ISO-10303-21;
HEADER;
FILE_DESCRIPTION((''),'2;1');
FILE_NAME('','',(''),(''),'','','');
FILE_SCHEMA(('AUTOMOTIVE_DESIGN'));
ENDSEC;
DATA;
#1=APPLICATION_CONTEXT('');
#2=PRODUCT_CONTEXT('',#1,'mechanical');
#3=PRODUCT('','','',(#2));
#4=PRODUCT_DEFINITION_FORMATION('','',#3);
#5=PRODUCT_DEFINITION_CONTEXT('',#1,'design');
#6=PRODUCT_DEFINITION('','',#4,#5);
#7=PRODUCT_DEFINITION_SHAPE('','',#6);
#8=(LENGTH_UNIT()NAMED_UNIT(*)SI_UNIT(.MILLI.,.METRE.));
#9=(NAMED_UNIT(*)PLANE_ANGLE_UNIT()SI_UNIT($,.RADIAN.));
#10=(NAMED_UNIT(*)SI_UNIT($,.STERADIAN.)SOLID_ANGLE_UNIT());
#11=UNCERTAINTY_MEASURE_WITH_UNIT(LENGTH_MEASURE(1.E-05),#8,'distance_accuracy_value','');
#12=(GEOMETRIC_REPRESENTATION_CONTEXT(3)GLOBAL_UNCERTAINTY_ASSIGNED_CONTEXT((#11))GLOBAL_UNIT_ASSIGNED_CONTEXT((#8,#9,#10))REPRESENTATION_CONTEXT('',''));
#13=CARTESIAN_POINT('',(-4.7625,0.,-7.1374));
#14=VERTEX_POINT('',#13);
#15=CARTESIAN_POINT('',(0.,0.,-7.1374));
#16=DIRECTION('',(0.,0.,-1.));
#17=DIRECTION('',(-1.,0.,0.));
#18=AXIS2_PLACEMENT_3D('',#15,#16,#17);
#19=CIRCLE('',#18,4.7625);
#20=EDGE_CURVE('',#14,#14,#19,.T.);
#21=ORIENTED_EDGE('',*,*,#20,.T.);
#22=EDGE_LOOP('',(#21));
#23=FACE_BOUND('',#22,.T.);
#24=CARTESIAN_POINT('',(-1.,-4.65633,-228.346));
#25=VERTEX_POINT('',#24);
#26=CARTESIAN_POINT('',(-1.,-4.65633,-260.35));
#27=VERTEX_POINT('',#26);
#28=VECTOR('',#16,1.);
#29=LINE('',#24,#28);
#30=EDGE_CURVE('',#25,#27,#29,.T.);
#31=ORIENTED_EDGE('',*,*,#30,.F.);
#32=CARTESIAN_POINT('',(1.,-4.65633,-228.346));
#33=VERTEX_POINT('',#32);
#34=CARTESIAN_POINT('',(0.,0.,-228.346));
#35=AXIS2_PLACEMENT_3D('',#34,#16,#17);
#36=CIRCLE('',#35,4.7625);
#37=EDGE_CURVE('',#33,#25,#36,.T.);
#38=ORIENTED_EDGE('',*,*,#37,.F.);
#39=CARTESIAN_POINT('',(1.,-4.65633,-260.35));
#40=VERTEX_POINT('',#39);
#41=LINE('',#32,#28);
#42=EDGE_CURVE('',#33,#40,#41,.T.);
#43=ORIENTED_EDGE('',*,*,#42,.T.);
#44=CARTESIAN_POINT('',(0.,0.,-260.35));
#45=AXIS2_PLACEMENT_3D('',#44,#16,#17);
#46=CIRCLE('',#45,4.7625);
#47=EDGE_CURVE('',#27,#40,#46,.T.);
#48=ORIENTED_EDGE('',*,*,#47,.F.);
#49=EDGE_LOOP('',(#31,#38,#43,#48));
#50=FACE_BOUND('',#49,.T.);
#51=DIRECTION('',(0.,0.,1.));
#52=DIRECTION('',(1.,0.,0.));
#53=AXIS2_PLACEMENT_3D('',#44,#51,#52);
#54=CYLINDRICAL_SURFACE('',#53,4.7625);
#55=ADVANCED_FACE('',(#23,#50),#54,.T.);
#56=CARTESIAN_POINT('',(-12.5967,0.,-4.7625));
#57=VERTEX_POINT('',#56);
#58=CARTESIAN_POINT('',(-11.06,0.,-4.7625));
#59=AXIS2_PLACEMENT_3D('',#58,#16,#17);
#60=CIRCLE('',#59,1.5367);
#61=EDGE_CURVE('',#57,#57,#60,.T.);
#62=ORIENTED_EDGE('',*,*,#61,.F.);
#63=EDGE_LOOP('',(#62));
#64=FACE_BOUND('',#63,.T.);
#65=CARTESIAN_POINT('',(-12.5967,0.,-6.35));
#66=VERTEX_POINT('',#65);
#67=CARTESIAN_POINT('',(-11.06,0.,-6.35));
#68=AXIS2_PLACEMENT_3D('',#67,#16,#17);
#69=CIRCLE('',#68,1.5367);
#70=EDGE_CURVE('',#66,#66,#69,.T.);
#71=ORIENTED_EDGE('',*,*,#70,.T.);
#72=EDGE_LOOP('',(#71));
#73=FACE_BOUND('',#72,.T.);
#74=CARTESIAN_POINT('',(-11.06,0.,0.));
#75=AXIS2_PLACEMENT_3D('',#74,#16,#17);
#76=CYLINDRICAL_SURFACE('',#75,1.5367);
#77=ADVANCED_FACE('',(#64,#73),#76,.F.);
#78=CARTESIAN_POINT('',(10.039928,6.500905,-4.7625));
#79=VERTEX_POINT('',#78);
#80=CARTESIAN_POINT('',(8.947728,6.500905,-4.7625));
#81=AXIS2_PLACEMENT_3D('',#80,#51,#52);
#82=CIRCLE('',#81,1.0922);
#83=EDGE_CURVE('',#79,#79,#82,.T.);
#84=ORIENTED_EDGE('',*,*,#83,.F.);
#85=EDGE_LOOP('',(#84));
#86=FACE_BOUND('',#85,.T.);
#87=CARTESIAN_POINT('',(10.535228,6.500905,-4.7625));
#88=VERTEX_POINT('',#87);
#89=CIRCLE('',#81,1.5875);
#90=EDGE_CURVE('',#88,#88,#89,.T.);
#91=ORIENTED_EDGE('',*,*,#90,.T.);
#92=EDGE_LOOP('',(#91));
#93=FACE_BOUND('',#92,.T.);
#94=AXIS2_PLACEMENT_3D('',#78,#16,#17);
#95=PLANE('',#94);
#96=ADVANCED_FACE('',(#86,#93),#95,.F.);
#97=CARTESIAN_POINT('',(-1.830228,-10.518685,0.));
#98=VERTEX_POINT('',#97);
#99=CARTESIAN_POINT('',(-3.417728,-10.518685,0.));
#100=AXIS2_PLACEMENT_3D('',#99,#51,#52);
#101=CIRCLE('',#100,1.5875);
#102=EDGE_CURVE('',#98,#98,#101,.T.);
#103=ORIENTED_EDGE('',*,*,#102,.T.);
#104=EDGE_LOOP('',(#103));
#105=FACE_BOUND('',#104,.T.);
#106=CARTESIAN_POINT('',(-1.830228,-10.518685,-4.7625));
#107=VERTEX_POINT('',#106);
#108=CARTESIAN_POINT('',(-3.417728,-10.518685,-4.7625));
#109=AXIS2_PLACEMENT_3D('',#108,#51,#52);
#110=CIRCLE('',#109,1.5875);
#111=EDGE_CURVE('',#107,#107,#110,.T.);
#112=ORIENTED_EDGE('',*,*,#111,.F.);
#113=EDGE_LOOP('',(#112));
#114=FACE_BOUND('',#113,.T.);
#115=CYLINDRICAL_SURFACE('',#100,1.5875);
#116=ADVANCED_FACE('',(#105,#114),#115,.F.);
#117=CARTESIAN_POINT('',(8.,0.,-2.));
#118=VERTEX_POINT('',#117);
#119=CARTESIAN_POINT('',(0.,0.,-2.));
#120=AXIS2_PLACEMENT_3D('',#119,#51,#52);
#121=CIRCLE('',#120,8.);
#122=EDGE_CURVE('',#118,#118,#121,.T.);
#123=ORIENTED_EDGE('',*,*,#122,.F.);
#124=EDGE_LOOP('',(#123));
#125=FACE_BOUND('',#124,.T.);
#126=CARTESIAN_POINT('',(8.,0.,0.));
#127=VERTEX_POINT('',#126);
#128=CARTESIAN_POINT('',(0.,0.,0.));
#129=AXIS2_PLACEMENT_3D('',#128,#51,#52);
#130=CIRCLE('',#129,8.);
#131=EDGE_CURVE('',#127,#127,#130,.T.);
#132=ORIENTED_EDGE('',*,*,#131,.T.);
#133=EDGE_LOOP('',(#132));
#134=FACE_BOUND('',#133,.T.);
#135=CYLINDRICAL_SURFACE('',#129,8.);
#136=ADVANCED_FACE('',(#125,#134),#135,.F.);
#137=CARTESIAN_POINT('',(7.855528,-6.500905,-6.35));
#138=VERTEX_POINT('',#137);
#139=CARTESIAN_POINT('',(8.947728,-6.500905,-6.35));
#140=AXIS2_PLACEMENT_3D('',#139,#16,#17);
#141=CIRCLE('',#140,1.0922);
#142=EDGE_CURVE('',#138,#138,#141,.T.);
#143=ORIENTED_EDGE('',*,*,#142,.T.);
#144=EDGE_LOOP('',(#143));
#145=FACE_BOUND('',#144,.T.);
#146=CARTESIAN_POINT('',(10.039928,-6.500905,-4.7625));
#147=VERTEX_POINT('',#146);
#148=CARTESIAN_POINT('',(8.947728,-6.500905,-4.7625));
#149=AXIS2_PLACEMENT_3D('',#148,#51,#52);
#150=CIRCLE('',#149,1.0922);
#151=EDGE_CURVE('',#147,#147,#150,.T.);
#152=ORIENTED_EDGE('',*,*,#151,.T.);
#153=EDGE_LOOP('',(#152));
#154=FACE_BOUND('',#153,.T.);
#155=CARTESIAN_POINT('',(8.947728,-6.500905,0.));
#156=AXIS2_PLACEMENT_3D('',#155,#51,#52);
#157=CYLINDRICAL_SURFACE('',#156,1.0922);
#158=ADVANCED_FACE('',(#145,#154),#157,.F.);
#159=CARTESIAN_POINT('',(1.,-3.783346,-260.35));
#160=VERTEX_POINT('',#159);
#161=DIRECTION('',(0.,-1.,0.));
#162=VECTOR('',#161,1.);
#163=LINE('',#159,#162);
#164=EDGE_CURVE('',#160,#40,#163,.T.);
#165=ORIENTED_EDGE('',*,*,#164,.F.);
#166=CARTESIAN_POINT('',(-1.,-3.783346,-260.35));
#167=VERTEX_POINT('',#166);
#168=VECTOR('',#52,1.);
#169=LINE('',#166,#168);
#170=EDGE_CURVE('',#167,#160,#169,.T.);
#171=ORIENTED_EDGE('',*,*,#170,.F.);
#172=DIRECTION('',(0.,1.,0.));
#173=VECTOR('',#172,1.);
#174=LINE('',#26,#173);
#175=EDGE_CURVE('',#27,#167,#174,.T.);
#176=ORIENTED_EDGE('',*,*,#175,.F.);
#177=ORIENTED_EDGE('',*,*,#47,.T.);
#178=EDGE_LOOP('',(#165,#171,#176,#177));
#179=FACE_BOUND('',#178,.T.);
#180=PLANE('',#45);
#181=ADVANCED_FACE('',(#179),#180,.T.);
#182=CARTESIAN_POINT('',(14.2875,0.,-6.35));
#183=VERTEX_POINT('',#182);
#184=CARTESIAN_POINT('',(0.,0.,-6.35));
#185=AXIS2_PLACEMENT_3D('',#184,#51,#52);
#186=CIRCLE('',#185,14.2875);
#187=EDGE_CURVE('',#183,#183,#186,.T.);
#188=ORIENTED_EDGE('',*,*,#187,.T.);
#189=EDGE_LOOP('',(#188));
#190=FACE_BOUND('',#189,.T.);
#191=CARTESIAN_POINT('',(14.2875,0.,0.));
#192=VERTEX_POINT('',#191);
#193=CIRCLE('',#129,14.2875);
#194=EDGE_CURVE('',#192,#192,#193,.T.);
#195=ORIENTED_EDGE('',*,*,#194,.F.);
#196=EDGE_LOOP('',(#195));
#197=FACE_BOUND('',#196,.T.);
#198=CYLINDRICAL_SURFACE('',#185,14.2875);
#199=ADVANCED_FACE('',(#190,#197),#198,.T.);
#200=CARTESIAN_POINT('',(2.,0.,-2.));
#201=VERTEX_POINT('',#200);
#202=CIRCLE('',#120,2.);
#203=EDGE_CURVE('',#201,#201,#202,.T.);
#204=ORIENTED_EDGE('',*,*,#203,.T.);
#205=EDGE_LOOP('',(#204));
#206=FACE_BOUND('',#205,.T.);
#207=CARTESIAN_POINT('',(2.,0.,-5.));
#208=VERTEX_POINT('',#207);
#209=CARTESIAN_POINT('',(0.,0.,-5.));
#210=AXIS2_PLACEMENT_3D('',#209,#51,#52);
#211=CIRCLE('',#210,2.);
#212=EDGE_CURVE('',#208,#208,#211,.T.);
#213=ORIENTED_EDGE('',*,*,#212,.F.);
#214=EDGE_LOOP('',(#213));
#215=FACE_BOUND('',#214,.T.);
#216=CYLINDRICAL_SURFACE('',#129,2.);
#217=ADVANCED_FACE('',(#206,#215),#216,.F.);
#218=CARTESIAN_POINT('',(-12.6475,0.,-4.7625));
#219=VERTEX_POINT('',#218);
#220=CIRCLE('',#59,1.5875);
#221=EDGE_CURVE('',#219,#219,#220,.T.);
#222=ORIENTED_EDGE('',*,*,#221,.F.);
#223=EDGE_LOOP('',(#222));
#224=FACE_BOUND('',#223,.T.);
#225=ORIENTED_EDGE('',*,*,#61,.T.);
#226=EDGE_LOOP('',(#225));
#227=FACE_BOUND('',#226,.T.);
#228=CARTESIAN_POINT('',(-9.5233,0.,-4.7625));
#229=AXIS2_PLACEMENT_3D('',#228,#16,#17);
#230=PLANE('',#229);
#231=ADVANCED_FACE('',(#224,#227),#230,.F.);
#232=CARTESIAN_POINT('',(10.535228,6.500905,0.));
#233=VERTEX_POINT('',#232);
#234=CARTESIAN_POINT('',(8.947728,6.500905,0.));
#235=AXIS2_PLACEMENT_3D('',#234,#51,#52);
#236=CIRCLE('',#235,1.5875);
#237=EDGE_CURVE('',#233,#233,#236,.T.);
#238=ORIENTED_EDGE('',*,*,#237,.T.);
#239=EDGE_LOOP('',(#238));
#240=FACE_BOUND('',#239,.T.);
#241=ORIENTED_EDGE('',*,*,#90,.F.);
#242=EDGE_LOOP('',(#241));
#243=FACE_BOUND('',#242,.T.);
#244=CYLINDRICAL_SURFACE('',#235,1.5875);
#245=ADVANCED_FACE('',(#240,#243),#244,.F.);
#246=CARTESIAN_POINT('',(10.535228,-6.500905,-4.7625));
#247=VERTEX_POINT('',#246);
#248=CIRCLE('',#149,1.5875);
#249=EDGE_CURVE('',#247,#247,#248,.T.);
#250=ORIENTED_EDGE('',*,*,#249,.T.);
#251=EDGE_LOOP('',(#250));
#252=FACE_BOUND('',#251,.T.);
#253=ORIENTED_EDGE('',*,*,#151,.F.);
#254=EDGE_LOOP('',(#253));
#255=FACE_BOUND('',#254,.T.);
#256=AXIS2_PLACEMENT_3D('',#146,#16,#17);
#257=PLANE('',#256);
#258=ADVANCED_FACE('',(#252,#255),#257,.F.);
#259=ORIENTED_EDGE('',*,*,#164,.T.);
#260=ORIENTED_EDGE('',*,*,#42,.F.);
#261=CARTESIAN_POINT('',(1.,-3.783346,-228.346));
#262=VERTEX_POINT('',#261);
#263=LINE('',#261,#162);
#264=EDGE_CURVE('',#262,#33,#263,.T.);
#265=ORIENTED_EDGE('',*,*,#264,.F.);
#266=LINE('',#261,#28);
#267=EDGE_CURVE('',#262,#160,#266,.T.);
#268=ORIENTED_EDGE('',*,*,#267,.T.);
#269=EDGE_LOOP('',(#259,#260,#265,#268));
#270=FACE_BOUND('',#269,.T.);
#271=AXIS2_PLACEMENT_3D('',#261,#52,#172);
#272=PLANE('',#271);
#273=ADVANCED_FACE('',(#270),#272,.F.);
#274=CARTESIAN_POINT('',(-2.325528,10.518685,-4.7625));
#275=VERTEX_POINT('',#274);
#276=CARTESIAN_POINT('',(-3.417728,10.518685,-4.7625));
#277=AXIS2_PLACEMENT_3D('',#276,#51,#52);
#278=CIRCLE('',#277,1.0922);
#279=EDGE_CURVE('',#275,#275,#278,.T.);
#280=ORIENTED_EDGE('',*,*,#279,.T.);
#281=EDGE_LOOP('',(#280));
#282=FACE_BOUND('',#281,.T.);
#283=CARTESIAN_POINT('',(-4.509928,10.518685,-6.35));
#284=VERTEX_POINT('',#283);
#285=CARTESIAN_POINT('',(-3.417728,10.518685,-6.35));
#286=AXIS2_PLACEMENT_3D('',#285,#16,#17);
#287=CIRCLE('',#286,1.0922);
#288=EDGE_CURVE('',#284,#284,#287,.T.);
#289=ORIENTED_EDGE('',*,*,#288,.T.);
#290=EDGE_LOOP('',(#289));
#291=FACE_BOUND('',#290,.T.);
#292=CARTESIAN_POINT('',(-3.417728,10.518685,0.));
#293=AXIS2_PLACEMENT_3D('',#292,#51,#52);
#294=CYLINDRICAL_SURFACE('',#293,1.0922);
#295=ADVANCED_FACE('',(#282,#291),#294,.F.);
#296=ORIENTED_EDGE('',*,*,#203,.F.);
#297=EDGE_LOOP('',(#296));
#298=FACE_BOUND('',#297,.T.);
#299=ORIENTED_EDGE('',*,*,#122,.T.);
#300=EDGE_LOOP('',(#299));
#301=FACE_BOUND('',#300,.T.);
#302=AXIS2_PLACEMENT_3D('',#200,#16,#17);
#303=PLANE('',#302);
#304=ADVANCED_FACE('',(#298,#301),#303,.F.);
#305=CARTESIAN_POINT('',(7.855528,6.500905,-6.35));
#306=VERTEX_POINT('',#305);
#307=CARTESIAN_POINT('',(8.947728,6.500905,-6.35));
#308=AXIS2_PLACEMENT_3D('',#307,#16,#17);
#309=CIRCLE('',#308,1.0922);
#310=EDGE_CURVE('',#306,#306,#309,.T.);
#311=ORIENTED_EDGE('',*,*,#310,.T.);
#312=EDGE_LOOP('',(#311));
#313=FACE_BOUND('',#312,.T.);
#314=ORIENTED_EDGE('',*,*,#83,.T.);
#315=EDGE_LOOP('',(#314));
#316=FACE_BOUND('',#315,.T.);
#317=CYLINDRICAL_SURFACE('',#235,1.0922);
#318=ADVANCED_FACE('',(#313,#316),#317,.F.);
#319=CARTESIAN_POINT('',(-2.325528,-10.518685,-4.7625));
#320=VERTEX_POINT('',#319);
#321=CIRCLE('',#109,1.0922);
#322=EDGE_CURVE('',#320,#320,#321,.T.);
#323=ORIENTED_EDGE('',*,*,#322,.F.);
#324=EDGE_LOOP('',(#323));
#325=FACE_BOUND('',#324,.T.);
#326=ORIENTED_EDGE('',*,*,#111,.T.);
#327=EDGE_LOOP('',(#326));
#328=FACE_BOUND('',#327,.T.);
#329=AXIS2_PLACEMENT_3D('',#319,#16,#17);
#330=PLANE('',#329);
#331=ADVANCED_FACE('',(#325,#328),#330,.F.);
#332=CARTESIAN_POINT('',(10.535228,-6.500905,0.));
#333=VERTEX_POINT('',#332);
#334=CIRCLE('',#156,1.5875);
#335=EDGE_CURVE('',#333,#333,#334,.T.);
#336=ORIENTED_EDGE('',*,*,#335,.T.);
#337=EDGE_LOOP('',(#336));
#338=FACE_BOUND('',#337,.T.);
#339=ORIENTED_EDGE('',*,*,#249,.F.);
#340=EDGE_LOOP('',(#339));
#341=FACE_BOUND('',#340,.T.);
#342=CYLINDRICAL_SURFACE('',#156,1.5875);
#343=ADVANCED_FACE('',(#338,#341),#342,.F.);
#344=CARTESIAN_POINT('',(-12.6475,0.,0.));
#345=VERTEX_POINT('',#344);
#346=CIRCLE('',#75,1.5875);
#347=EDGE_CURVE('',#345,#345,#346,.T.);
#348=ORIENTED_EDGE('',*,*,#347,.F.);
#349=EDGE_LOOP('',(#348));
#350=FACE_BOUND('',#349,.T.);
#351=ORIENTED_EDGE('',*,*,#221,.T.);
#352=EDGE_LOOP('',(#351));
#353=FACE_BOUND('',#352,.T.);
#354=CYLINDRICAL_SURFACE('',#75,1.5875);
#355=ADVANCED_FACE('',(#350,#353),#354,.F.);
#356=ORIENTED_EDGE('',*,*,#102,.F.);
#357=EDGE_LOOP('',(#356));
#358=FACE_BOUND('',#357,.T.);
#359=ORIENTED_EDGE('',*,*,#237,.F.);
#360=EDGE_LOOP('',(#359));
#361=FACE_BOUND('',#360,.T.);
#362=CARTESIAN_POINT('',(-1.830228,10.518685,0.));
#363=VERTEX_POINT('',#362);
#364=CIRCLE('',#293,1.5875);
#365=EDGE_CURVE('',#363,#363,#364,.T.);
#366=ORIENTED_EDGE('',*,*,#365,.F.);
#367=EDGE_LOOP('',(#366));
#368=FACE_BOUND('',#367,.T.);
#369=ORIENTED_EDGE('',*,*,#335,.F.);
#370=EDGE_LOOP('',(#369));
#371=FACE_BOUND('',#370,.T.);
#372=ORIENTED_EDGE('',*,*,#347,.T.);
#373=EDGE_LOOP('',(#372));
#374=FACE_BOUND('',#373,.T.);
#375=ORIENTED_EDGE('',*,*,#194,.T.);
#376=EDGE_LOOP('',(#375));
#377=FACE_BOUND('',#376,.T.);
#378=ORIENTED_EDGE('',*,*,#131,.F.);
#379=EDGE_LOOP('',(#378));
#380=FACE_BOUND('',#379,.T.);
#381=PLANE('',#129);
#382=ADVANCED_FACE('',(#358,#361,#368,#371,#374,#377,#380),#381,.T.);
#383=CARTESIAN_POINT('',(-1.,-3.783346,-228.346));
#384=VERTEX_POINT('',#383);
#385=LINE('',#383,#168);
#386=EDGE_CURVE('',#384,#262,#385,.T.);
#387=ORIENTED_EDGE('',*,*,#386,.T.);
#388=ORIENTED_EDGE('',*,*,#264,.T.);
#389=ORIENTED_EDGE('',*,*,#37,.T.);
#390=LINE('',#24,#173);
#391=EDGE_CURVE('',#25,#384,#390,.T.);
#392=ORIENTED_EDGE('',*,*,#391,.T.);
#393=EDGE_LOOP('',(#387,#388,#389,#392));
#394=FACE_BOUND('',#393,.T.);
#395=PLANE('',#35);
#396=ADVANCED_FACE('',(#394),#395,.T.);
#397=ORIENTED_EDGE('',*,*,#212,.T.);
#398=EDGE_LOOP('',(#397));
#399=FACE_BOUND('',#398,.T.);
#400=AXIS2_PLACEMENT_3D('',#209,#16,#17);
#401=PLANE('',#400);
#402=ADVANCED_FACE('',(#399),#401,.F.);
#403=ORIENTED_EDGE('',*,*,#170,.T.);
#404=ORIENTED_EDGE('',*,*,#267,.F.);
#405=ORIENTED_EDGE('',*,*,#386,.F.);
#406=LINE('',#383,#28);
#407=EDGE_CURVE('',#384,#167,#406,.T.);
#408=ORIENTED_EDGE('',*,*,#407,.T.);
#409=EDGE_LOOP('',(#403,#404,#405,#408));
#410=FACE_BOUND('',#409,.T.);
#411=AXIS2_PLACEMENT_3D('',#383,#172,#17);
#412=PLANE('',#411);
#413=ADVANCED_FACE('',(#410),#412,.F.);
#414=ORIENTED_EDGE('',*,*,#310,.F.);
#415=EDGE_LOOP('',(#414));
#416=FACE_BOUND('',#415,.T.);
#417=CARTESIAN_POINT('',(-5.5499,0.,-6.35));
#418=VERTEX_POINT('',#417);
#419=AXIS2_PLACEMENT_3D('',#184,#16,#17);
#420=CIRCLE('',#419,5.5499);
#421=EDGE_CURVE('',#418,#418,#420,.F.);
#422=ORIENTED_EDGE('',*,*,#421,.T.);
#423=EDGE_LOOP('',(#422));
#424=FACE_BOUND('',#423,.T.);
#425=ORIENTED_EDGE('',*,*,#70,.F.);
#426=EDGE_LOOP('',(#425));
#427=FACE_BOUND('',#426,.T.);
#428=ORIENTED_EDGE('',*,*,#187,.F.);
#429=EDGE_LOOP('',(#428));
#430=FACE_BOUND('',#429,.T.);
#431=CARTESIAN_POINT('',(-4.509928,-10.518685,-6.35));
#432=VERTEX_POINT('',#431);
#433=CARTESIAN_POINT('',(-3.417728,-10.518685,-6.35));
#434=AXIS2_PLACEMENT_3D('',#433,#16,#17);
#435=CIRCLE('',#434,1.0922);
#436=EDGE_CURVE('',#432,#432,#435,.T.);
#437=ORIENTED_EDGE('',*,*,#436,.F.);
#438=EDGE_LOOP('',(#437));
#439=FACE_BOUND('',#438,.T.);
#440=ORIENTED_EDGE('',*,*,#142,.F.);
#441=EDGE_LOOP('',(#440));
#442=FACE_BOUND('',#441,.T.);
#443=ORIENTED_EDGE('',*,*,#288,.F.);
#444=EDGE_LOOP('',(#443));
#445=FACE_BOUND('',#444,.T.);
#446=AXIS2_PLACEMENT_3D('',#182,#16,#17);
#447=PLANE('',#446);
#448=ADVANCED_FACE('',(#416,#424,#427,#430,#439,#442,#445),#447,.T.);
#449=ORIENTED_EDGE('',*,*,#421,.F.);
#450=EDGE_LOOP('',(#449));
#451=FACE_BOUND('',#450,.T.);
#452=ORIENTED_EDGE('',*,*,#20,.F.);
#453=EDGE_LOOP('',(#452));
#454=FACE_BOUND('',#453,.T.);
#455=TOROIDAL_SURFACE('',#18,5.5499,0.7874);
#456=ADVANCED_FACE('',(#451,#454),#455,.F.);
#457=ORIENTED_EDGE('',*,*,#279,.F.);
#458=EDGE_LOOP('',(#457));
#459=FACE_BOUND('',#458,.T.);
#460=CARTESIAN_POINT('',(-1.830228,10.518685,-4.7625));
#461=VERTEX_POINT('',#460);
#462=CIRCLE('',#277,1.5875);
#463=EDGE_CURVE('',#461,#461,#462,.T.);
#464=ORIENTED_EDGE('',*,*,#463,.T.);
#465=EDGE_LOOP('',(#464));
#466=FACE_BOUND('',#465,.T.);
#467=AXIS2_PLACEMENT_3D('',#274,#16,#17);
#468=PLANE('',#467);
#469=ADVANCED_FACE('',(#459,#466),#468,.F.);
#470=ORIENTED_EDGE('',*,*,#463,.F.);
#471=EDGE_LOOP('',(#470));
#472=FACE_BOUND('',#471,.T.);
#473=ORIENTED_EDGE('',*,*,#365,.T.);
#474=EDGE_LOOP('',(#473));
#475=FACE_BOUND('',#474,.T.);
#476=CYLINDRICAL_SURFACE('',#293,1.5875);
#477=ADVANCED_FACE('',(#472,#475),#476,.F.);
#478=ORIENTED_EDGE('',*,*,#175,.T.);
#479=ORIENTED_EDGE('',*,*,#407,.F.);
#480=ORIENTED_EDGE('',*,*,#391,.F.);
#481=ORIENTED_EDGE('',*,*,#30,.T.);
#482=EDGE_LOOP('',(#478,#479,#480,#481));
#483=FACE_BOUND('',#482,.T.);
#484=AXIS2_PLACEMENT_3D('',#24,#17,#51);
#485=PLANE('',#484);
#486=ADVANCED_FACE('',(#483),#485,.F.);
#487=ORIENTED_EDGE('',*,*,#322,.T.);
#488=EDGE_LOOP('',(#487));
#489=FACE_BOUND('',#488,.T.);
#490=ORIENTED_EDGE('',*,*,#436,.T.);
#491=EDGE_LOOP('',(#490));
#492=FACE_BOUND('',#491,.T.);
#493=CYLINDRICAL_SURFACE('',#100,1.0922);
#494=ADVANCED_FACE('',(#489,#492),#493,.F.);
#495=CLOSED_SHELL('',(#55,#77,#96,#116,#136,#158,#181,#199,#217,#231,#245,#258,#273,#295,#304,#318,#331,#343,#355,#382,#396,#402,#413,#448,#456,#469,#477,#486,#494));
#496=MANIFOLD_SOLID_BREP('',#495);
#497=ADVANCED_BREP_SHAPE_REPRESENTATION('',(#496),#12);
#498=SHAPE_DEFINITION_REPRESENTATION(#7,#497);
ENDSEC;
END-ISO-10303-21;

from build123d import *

# Parameters (mm, degrees)
SKETCH1_W           = 14.2875
SKETCH1_H           = 6.35
SKETCH2_R           = 4.7625
BOSS_EXTRUDE1_DEPTH = 254
CUT_EXTRUDE1_DEPTH  = 32.004
HOLE1_D             = 2.1844
HOLE1_DEPTH         = 260.35
HOLE1_CBORE_D       = 3.175
HOLE1_CBORE_DEPTH   = 4.7625
HOLE2_D             = 2.1844
HOLE2_DEPTH         = 260.35
HOLE2_CBORE_D       = 3.175
HOLE2_CBORE_DEPTH   = 4.7625
HOLE3_D             = 2.1844
HOLE3_DEPTH         = 260.35
HOLE3_CBORE_D       = 3.175
HOLE3_CBORE_DEPTH   = 4.7625
HOLE4_D             = 2.1844
HOLE4_DEPTH         = 260.35
HOLE4_CBORE_D       = 3.175
HOLE4_CBORE_DEPTH   = 4.7625
HOLE5_D             = 4
HOLE5_DEPTH         = 5
HOLE5_CBORE_D       = 16
HOLE5_CBORE_DEPTH   = 2
FILLET1_R           = 0.7874


with BuildPart() as part:
    # Sketch1 → Revolve1 (revolve)
    with BuildSketch(Plane(origin=(0, 0, 0), x_dir=(1, 0, 0), z_dir=(0, 1, 0))):
        with Locations((7.14375, 3.175)):
            Rectangle(SKETCH1_W, SKETCH1_H)
    revolve(axis=Axis((0, 0, -6.35), (0, 0, 1)))

    # Sketch2 → Boss-Extrude1 (add)
    with BuildSketch(Plane(origin=(0, 0, -6.35), x_dir=(-1, 0, 0), z_dir=(0, 0, -1))):
        Circle(SKETCH2_R)
    extrude(amount=BOSS_EXTRUDE1_DEPTH)

    # Sketch3 → Cut-Extrude1 (cut)
    with BuildSketch(Plane(origin=(0, 0, -260.35), x_dir=(-1, 0, 0), z_dir=(0, 0, -1))):
        with BuildLine():
            Line((1, -4.656329697), (1, -3.783346351))
            Line((1, -3.783346351), (-1, -3.783346351))
            Line((-1, -3.783346351), (-1, -4.656329697))
            ThreePointArc((-1, -4.656329697), (0, -4.7625), (1, -4.656329697))
        make_face()
    extrude(amount=-CUT_EXTRUDE1_DEPTH, mode=Mode.SUBTRACT)

    # Sketch4 → Cut-Revolve1 (revolve, cut)
    with BuildSketch(Plane.XZ, mode=Mode.PRIVATE) as cut_revolve1_sk:
        Polygon((-9.4725, 0), (-11.06, 0), (-11.06, -6.35), (-9.5233, -6.35), (-9.5233, -4.7625), (-9.4725, -4.7625), align=None)
    revolve(cut_revolve1_sk.sketch.rotate(Axis((-11.06, 0, 0), (0, 0, -1)), 180), axis=Axis((-11.06, 0, 0), (0, 0, -1)), mode=Mode.SUBTRACT)  # turned: the seam where the file's is

    # Hole1
    with Locations(Plane.XY):
        with Locations((-3.417727958, -10.51868507)):
            CounterBoreHole(HOLE1_D / 2, HOLE1_CBORE_D / 2, HOLE1_CBORE_DEPTH, depth=HOLE1_DEPTH)

    # Hole2
    with Locations(Plane.XY):
        with Locations((8.947727958, -6.50090489)):
            CounterBoreHole(HOLE2_D / 2, HOLE2_CBORE_D / 2, HOLE2_CBORE_DEPTH, depth=HOLE2_DEPTH)

    # Hole3
    with Locations(Plane.XY):
        with Locations((8.947727958, 6.50090489)):
            CounterBoreHole(HOLE3_D / 2, HOLE3_CBORE_D / 2, HOLE3_CBORE_DEPTH, depth=HOLE3_DEPTH)

    # Hole4
    with Locations(Plane.XY):
        with Locations((-3.417727958, 10.51868507)):
            CounterBoreHole(HOLE4_D / 2, HOLE4_CBORE_D / 2, HOLE4_CBORE_DEPTH, depth=HOLE4_DEPTH)

    # Hole5
    with Locations(Plane.XY):
        with Locations((0, 0)):
            CounterBoreHole(HOLE5_D / 2, HOLE5_CBORE_D / 2, HOLE5_CBORE_DEPTH, depth=HOLE5_DEPTH)

    # Fillet1
    fillet1_edges = [part.edges().sort_by_distance(p)[0] for p in [
        (4.7625, 0, -6.35),
    ]]
    fillet(fillet1_edges, radius=FILLET1_R)


solid = part.part
